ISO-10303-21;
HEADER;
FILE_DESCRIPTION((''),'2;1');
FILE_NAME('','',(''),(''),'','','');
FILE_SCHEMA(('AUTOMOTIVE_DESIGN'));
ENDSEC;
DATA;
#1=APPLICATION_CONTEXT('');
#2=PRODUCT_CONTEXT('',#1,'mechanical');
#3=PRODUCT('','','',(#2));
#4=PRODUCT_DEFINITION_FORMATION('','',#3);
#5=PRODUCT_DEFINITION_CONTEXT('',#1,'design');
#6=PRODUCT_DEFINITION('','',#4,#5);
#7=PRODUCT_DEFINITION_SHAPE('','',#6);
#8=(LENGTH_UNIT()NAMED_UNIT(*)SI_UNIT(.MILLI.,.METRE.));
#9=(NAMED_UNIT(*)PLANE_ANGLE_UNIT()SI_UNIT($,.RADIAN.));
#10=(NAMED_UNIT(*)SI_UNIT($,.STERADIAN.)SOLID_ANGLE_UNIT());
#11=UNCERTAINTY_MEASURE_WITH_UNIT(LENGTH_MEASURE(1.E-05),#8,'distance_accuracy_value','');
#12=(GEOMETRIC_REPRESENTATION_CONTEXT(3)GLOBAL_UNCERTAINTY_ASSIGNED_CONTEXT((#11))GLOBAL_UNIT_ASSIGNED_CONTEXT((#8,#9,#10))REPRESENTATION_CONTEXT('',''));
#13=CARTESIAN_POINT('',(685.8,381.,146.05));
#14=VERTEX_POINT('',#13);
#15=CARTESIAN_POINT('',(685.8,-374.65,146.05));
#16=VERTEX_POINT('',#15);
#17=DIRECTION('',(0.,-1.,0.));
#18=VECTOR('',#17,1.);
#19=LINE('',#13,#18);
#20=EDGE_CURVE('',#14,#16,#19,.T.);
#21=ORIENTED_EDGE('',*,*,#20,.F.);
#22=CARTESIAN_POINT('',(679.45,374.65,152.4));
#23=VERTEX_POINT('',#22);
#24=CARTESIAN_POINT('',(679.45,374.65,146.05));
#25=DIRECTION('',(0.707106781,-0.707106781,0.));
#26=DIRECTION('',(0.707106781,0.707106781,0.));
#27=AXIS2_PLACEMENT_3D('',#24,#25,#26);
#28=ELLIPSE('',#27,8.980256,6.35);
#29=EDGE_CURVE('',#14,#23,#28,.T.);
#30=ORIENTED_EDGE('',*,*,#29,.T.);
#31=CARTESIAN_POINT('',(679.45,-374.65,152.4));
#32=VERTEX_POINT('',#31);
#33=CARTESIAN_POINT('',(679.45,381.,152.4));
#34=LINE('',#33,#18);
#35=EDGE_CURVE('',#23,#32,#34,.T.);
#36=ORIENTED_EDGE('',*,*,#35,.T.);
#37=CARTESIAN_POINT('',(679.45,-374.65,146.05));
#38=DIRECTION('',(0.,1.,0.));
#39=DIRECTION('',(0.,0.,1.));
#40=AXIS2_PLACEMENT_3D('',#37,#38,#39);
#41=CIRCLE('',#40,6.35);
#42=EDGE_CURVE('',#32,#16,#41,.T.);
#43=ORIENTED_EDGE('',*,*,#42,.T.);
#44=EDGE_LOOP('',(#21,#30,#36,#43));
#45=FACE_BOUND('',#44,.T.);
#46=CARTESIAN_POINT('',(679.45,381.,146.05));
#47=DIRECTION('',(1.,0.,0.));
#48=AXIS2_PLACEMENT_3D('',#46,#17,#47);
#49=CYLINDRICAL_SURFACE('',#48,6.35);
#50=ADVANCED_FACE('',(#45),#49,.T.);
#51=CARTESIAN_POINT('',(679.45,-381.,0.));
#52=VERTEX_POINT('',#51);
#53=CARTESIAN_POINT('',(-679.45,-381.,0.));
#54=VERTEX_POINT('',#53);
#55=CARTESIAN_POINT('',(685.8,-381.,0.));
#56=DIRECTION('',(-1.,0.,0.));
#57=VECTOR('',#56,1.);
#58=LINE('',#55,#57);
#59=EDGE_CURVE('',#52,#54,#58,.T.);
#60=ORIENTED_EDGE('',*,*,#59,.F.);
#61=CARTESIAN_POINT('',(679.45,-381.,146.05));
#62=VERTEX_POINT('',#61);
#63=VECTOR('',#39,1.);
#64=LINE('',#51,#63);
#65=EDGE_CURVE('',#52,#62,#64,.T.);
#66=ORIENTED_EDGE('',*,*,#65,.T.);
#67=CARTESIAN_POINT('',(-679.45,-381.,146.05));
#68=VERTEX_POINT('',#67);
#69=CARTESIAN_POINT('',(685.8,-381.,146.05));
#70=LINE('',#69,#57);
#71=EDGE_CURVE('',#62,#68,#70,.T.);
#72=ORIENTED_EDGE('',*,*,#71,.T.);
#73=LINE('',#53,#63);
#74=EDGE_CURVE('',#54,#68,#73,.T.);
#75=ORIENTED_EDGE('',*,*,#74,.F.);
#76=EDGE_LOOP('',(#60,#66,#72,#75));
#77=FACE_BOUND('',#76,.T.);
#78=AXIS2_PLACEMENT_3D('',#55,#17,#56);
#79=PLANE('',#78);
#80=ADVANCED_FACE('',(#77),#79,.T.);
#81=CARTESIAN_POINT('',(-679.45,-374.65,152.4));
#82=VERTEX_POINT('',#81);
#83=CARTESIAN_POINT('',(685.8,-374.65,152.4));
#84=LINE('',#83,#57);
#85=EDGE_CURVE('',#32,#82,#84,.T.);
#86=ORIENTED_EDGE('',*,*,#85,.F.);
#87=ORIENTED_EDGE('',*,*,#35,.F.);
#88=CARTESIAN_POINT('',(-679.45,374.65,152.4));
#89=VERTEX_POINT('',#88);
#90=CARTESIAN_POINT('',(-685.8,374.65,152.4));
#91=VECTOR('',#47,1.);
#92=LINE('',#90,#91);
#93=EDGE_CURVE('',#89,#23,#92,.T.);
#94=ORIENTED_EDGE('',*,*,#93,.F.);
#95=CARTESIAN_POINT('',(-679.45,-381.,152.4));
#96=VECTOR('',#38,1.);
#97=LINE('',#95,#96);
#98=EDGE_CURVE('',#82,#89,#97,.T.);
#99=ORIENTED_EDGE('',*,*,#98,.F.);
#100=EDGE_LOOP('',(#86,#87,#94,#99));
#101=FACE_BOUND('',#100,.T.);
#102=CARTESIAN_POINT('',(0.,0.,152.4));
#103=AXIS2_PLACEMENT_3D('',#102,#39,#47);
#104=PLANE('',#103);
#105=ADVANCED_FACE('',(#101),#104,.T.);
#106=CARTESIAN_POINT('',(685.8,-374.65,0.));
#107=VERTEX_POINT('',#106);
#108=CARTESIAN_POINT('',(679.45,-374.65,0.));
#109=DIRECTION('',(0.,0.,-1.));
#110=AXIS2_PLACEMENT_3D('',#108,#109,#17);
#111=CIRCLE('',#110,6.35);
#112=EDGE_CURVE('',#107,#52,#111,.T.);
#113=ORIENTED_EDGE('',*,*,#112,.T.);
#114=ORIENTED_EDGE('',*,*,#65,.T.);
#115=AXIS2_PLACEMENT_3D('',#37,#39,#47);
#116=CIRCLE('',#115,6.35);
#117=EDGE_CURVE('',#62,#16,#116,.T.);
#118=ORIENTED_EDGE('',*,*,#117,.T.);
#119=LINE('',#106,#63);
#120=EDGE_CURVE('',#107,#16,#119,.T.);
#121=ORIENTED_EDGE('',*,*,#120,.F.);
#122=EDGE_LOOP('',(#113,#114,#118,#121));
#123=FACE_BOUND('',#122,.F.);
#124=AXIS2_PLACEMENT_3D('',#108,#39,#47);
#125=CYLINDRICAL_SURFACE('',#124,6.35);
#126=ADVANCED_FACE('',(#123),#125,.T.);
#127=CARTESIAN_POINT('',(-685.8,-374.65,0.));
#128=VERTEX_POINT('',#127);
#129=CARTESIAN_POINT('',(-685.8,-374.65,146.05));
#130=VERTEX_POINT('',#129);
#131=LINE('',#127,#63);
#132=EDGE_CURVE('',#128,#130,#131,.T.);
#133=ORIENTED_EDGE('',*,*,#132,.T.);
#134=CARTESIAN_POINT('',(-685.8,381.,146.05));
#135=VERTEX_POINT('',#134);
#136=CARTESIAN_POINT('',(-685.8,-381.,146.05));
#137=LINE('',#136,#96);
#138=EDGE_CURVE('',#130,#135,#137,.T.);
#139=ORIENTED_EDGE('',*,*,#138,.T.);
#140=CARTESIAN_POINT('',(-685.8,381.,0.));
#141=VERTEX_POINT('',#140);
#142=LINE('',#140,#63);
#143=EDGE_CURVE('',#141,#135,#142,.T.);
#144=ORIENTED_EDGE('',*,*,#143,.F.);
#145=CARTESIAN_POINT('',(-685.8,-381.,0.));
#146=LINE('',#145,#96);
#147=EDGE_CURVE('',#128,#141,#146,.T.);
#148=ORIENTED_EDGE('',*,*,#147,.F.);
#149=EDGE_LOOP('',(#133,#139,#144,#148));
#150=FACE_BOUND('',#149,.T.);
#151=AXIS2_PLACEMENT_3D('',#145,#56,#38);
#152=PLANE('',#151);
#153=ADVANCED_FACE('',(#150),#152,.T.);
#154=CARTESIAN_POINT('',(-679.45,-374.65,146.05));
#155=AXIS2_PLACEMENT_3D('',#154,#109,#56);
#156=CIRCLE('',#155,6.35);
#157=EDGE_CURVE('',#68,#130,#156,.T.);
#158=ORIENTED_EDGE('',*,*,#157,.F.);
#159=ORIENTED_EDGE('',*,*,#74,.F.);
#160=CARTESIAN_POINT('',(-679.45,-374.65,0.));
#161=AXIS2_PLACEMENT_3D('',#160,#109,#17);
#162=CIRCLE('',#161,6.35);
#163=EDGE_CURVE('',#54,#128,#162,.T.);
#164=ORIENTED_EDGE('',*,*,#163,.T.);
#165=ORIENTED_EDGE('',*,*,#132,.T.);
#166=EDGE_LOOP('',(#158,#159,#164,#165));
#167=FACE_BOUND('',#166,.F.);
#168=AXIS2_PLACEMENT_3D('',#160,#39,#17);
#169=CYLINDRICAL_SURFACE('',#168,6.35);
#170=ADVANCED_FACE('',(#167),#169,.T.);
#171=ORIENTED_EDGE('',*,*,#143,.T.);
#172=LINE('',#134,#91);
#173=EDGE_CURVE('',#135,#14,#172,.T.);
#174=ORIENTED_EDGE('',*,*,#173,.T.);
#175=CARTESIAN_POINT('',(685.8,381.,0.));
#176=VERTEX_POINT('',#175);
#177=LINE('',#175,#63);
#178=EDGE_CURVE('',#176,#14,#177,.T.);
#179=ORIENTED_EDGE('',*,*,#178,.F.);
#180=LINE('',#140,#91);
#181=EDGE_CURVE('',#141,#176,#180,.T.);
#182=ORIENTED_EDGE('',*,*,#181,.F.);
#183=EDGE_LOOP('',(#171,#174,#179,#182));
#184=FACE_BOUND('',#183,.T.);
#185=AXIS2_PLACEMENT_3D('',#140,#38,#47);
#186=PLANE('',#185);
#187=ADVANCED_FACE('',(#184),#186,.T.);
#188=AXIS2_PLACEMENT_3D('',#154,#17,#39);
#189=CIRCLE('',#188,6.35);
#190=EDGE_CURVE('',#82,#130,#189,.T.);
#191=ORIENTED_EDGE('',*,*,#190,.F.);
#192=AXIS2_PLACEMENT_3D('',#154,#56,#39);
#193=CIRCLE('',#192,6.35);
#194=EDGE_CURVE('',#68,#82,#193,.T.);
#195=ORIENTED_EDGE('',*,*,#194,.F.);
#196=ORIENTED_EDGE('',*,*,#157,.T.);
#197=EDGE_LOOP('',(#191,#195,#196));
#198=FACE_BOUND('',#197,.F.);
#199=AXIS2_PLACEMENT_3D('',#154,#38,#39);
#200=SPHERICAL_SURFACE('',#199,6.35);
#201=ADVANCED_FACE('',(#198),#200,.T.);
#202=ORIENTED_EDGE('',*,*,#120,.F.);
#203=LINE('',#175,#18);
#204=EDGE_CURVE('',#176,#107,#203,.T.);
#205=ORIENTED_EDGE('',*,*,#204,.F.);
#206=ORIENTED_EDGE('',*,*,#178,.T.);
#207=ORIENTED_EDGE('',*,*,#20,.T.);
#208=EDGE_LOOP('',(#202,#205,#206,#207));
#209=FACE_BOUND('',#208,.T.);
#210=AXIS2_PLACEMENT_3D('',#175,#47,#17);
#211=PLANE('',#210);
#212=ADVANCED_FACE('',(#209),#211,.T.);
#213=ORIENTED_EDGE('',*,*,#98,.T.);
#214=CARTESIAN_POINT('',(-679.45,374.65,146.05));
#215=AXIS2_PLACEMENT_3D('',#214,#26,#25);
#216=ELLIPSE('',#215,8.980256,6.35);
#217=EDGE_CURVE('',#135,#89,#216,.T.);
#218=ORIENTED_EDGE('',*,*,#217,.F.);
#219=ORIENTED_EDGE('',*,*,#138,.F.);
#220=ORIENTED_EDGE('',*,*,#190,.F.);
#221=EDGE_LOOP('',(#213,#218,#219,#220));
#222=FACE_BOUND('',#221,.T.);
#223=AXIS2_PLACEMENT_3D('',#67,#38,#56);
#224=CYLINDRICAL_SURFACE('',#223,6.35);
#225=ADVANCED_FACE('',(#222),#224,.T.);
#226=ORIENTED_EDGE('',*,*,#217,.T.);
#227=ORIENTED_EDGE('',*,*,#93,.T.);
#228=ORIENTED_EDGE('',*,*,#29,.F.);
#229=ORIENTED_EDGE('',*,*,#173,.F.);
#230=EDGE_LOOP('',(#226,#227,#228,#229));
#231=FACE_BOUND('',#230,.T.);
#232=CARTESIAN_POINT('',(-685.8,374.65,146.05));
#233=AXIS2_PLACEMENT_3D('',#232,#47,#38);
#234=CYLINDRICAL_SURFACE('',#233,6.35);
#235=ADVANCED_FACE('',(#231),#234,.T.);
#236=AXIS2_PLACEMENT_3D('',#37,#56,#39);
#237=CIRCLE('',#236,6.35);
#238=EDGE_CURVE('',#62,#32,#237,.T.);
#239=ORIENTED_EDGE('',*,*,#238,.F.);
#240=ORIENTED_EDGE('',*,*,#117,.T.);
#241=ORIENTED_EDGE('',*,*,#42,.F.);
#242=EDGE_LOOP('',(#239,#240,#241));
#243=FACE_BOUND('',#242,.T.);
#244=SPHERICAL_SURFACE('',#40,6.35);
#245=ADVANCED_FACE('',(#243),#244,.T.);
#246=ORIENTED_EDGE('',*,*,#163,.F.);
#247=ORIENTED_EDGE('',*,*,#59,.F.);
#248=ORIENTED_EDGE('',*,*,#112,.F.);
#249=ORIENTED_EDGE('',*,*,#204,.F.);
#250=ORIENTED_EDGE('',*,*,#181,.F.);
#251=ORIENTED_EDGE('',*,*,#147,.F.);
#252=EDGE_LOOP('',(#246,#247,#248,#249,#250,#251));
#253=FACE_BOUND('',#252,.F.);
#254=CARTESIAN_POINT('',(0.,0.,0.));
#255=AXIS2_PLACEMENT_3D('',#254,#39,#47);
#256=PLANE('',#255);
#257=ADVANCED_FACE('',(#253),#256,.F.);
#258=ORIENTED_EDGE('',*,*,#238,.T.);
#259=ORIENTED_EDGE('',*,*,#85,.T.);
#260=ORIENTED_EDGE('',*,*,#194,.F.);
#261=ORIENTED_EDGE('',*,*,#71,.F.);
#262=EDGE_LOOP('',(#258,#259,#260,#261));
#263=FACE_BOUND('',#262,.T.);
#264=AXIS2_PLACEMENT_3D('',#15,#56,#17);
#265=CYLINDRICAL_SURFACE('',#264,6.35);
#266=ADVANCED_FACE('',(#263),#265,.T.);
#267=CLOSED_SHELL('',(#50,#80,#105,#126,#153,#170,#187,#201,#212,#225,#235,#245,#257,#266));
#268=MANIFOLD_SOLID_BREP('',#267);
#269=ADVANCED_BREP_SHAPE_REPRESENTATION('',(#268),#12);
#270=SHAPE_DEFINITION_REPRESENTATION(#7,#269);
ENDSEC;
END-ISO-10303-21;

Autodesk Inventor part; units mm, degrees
ref_plane "YZ Plane" through (0, 0, 0) normal (1, 0, 0) x (0, 1, 0)
ref_plane "XZ Plane" through (0, 0, 0) normal (0, 1, 0) x (-1, 0, 0)
ref_plane "XY Plane" through (0, 0, 0) normal (0, 0, 1) x (1, 0, 0)
sketch "Sketch1" plane through (0, 0, 0) normal (0, 0, 1) x (1, 0, 0)
  line L0 (-685.8, 381) -> (685.8, 381)
  line L1 (685.8, 381) -> (685.8, -381)
  line L2 (685.8, -381) -> (-685.8, -381)
  line L3 (-685.8, -381) -> (-685.8, 381)
  line L4 (-685.8, 381) -> (685.8, -381) construction
  line L5 (685.8, 381) -> (-685.8, -381) construction
  point P0 (0, 0)
  dimension "d0" = 1371.6
  dimension "d1" = 762
extrude "Extrusion1" add sketch "Sketch1" along normal blind 152.4
fillet "Fillet1" radius 6.35 6 edges at (0, 381, 152.4) (-685.8, 0, 152.4) (685.8, 0, 152.4) (0, -381, 152.4) (685.8, -381, 76.2) (-685.8, -381, 76.2)
properties part number "4-1x-54x30x6 sn step" material "Granite, Cut, Polished"
